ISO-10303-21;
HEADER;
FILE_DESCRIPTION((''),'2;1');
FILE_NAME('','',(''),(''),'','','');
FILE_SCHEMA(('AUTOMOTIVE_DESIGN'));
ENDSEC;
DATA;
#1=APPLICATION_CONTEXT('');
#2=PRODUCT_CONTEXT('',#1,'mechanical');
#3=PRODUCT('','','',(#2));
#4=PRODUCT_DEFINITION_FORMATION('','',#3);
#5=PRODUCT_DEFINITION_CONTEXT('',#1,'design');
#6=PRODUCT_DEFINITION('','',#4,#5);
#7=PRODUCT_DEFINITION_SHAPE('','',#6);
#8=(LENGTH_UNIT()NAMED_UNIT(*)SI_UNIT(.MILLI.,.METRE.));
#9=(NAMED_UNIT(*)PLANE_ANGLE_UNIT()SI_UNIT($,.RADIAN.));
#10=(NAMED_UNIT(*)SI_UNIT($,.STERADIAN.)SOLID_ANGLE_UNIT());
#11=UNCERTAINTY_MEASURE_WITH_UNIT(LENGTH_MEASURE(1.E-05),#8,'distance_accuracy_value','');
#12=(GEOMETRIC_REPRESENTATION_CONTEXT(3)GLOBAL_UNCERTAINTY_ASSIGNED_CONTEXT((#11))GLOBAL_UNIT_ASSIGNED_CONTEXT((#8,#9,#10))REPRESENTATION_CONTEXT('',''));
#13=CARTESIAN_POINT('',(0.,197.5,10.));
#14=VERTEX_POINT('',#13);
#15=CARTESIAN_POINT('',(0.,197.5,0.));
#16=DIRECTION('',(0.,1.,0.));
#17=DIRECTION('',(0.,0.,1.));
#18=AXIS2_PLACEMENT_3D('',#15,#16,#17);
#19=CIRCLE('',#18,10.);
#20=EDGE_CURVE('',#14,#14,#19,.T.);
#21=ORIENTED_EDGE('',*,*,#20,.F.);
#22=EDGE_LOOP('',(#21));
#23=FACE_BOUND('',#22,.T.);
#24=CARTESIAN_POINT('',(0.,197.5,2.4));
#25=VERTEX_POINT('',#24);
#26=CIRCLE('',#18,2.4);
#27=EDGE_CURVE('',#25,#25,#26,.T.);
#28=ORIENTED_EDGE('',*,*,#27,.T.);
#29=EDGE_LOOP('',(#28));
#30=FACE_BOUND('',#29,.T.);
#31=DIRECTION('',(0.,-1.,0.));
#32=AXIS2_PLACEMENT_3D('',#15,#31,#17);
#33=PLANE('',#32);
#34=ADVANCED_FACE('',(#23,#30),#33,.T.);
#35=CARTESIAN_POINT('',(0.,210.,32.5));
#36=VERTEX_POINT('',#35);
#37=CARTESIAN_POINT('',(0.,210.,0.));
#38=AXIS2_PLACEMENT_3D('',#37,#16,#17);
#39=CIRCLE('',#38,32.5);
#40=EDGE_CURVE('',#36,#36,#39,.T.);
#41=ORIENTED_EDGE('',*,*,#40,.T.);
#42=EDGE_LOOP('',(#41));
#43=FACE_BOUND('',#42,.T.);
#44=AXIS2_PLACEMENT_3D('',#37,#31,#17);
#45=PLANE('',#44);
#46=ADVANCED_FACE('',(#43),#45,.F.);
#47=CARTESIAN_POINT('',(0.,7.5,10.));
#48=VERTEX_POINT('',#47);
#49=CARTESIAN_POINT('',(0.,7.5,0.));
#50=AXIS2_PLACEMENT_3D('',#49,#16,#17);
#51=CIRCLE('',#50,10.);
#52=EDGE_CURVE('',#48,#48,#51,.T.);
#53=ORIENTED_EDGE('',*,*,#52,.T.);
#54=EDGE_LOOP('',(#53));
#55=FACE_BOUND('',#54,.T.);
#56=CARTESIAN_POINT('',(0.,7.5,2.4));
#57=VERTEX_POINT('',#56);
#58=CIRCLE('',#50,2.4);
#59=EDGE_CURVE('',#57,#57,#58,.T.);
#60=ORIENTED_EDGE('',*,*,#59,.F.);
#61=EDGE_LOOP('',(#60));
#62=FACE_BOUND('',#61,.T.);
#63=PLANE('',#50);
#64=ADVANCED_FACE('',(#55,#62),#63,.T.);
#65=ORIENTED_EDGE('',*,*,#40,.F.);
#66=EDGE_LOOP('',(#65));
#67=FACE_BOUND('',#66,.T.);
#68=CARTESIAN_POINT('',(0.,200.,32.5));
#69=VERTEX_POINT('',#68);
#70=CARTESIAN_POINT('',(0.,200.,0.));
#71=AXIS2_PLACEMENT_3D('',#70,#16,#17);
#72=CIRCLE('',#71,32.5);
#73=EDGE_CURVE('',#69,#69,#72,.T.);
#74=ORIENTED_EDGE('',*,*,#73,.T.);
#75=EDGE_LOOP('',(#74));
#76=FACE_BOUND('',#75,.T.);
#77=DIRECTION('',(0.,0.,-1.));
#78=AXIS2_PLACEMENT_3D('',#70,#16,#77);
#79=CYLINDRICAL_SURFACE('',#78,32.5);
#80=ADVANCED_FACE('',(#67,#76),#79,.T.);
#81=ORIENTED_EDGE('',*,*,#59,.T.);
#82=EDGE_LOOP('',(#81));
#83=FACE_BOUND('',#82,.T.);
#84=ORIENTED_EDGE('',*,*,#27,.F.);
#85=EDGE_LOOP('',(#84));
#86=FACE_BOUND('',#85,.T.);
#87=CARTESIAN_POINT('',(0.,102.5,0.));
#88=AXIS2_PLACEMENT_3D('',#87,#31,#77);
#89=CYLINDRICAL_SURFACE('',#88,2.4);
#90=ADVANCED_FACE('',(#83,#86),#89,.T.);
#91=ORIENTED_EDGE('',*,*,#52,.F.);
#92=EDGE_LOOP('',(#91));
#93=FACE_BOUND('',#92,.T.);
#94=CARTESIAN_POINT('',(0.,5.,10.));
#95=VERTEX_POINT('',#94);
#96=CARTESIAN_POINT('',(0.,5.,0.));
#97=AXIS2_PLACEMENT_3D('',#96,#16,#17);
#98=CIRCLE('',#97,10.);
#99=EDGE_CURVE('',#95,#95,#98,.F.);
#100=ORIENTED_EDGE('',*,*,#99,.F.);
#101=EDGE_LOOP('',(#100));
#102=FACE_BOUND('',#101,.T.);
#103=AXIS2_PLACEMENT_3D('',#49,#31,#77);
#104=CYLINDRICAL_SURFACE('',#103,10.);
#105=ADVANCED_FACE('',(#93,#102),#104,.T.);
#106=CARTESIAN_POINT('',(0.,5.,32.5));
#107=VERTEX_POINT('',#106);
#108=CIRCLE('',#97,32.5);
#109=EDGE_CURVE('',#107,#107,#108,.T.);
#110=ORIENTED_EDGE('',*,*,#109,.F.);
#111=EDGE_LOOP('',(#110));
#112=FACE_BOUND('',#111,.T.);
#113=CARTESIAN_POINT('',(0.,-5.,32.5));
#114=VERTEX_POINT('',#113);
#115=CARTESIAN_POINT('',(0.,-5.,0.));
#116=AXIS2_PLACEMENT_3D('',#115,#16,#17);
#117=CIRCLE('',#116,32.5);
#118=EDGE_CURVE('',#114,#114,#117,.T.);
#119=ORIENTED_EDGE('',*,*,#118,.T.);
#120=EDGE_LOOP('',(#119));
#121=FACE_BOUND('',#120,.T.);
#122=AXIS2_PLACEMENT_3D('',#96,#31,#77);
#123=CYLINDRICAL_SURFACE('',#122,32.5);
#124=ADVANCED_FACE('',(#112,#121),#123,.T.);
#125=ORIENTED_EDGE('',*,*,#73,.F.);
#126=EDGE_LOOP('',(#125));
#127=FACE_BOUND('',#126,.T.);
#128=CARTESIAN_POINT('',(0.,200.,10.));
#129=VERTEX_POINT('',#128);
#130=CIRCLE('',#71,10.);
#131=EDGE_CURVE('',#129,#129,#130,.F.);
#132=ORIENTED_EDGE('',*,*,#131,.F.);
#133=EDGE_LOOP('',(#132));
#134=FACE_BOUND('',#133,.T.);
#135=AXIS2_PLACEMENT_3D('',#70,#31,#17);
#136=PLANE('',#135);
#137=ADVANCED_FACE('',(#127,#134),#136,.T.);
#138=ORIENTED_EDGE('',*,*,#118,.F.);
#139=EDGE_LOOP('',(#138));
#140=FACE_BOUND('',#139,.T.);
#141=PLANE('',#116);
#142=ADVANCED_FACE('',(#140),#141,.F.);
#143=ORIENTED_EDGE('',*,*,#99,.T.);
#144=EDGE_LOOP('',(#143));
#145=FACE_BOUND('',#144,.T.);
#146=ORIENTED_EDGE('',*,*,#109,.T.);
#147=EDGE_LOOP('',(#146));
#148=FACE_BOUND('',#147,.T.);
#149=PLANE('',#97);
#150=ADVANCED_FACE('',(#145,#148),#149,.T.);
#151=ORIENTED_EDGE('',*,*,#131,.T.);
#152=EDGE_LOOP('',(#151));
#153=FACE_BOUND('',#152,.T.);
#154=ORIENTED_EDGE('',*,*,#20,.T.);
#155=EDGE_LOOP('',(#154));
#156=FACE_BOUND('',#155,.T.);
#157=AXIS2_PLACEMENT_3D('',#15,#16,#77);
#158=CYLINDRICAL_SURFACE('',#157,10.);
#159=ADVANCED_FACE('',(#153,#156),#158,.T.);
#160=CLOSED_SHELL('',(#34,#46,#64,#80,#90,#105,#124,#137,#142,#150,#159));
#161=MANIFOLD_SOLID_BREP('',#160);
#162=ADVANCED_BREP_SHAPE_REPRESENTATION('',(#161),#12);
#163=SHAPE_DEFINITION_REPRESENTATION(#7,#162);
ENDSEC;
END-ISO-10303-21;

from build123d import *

# Parameters (mm, degrees)
SKETCH1_R           = 32.5
BOSS_EXTRUDE1_DEPTH = 5
SKETCH2_R           = 10
BOSS_EXTRUDE2_DEPTH = 2.5
SKETCH3_R           = 2.4
BOSS_EXTRUDE3_DEPTH = 95


with BuildPart() as part:
    # Sketch1 → Boss-Extrude1 (new, symmetric)
    with BuildSketch(Plane(origin=(0, 0, 0), x_dir=(1, 0, 0), z_dir=(0, 1, 0))):
        with Locations(Location((0, 0, 0), (0, 0, 270))):
            Circle(SKETCH1_R)
    extrude(amount=BOSS_EXTRUDE1_DEPTH, both=True)

    # Sketch2 → Boss-Extrude2 (add, symmetric)
    with BuildSketch(Plane(origin=(0, 5, 0), x_dir=(1, 0, 0), z_dir=(0, 1, 0))):
        with Locations(Location((0, 0, 0), (0, 0, 270))):
            Circle(SKETCH2_R)
    extrude(amount=BOSS_EXTRUDE2_DEPTH, both=True)

    # Sketch3 → Boss-Extrude3 (add)
    with BuildSketch(Plane(origin=(0, 7.5, 0), x_dir=(1, 0, 0), z_dir=(0, 1, 0))):
        with Locations(Location((0, 0, 0), (0, 0, 270))):
            Circle(SKETCH3_R)
    extrude(amount=BOSS_EXTRUDE3_DEPTH)

    # Mirror7: part across plane


with BuildPart() as part_1:
    add(part.part)
    add(part.part.mirror(Plane.ZX.offset(102.5)))


solid = part_1.part
